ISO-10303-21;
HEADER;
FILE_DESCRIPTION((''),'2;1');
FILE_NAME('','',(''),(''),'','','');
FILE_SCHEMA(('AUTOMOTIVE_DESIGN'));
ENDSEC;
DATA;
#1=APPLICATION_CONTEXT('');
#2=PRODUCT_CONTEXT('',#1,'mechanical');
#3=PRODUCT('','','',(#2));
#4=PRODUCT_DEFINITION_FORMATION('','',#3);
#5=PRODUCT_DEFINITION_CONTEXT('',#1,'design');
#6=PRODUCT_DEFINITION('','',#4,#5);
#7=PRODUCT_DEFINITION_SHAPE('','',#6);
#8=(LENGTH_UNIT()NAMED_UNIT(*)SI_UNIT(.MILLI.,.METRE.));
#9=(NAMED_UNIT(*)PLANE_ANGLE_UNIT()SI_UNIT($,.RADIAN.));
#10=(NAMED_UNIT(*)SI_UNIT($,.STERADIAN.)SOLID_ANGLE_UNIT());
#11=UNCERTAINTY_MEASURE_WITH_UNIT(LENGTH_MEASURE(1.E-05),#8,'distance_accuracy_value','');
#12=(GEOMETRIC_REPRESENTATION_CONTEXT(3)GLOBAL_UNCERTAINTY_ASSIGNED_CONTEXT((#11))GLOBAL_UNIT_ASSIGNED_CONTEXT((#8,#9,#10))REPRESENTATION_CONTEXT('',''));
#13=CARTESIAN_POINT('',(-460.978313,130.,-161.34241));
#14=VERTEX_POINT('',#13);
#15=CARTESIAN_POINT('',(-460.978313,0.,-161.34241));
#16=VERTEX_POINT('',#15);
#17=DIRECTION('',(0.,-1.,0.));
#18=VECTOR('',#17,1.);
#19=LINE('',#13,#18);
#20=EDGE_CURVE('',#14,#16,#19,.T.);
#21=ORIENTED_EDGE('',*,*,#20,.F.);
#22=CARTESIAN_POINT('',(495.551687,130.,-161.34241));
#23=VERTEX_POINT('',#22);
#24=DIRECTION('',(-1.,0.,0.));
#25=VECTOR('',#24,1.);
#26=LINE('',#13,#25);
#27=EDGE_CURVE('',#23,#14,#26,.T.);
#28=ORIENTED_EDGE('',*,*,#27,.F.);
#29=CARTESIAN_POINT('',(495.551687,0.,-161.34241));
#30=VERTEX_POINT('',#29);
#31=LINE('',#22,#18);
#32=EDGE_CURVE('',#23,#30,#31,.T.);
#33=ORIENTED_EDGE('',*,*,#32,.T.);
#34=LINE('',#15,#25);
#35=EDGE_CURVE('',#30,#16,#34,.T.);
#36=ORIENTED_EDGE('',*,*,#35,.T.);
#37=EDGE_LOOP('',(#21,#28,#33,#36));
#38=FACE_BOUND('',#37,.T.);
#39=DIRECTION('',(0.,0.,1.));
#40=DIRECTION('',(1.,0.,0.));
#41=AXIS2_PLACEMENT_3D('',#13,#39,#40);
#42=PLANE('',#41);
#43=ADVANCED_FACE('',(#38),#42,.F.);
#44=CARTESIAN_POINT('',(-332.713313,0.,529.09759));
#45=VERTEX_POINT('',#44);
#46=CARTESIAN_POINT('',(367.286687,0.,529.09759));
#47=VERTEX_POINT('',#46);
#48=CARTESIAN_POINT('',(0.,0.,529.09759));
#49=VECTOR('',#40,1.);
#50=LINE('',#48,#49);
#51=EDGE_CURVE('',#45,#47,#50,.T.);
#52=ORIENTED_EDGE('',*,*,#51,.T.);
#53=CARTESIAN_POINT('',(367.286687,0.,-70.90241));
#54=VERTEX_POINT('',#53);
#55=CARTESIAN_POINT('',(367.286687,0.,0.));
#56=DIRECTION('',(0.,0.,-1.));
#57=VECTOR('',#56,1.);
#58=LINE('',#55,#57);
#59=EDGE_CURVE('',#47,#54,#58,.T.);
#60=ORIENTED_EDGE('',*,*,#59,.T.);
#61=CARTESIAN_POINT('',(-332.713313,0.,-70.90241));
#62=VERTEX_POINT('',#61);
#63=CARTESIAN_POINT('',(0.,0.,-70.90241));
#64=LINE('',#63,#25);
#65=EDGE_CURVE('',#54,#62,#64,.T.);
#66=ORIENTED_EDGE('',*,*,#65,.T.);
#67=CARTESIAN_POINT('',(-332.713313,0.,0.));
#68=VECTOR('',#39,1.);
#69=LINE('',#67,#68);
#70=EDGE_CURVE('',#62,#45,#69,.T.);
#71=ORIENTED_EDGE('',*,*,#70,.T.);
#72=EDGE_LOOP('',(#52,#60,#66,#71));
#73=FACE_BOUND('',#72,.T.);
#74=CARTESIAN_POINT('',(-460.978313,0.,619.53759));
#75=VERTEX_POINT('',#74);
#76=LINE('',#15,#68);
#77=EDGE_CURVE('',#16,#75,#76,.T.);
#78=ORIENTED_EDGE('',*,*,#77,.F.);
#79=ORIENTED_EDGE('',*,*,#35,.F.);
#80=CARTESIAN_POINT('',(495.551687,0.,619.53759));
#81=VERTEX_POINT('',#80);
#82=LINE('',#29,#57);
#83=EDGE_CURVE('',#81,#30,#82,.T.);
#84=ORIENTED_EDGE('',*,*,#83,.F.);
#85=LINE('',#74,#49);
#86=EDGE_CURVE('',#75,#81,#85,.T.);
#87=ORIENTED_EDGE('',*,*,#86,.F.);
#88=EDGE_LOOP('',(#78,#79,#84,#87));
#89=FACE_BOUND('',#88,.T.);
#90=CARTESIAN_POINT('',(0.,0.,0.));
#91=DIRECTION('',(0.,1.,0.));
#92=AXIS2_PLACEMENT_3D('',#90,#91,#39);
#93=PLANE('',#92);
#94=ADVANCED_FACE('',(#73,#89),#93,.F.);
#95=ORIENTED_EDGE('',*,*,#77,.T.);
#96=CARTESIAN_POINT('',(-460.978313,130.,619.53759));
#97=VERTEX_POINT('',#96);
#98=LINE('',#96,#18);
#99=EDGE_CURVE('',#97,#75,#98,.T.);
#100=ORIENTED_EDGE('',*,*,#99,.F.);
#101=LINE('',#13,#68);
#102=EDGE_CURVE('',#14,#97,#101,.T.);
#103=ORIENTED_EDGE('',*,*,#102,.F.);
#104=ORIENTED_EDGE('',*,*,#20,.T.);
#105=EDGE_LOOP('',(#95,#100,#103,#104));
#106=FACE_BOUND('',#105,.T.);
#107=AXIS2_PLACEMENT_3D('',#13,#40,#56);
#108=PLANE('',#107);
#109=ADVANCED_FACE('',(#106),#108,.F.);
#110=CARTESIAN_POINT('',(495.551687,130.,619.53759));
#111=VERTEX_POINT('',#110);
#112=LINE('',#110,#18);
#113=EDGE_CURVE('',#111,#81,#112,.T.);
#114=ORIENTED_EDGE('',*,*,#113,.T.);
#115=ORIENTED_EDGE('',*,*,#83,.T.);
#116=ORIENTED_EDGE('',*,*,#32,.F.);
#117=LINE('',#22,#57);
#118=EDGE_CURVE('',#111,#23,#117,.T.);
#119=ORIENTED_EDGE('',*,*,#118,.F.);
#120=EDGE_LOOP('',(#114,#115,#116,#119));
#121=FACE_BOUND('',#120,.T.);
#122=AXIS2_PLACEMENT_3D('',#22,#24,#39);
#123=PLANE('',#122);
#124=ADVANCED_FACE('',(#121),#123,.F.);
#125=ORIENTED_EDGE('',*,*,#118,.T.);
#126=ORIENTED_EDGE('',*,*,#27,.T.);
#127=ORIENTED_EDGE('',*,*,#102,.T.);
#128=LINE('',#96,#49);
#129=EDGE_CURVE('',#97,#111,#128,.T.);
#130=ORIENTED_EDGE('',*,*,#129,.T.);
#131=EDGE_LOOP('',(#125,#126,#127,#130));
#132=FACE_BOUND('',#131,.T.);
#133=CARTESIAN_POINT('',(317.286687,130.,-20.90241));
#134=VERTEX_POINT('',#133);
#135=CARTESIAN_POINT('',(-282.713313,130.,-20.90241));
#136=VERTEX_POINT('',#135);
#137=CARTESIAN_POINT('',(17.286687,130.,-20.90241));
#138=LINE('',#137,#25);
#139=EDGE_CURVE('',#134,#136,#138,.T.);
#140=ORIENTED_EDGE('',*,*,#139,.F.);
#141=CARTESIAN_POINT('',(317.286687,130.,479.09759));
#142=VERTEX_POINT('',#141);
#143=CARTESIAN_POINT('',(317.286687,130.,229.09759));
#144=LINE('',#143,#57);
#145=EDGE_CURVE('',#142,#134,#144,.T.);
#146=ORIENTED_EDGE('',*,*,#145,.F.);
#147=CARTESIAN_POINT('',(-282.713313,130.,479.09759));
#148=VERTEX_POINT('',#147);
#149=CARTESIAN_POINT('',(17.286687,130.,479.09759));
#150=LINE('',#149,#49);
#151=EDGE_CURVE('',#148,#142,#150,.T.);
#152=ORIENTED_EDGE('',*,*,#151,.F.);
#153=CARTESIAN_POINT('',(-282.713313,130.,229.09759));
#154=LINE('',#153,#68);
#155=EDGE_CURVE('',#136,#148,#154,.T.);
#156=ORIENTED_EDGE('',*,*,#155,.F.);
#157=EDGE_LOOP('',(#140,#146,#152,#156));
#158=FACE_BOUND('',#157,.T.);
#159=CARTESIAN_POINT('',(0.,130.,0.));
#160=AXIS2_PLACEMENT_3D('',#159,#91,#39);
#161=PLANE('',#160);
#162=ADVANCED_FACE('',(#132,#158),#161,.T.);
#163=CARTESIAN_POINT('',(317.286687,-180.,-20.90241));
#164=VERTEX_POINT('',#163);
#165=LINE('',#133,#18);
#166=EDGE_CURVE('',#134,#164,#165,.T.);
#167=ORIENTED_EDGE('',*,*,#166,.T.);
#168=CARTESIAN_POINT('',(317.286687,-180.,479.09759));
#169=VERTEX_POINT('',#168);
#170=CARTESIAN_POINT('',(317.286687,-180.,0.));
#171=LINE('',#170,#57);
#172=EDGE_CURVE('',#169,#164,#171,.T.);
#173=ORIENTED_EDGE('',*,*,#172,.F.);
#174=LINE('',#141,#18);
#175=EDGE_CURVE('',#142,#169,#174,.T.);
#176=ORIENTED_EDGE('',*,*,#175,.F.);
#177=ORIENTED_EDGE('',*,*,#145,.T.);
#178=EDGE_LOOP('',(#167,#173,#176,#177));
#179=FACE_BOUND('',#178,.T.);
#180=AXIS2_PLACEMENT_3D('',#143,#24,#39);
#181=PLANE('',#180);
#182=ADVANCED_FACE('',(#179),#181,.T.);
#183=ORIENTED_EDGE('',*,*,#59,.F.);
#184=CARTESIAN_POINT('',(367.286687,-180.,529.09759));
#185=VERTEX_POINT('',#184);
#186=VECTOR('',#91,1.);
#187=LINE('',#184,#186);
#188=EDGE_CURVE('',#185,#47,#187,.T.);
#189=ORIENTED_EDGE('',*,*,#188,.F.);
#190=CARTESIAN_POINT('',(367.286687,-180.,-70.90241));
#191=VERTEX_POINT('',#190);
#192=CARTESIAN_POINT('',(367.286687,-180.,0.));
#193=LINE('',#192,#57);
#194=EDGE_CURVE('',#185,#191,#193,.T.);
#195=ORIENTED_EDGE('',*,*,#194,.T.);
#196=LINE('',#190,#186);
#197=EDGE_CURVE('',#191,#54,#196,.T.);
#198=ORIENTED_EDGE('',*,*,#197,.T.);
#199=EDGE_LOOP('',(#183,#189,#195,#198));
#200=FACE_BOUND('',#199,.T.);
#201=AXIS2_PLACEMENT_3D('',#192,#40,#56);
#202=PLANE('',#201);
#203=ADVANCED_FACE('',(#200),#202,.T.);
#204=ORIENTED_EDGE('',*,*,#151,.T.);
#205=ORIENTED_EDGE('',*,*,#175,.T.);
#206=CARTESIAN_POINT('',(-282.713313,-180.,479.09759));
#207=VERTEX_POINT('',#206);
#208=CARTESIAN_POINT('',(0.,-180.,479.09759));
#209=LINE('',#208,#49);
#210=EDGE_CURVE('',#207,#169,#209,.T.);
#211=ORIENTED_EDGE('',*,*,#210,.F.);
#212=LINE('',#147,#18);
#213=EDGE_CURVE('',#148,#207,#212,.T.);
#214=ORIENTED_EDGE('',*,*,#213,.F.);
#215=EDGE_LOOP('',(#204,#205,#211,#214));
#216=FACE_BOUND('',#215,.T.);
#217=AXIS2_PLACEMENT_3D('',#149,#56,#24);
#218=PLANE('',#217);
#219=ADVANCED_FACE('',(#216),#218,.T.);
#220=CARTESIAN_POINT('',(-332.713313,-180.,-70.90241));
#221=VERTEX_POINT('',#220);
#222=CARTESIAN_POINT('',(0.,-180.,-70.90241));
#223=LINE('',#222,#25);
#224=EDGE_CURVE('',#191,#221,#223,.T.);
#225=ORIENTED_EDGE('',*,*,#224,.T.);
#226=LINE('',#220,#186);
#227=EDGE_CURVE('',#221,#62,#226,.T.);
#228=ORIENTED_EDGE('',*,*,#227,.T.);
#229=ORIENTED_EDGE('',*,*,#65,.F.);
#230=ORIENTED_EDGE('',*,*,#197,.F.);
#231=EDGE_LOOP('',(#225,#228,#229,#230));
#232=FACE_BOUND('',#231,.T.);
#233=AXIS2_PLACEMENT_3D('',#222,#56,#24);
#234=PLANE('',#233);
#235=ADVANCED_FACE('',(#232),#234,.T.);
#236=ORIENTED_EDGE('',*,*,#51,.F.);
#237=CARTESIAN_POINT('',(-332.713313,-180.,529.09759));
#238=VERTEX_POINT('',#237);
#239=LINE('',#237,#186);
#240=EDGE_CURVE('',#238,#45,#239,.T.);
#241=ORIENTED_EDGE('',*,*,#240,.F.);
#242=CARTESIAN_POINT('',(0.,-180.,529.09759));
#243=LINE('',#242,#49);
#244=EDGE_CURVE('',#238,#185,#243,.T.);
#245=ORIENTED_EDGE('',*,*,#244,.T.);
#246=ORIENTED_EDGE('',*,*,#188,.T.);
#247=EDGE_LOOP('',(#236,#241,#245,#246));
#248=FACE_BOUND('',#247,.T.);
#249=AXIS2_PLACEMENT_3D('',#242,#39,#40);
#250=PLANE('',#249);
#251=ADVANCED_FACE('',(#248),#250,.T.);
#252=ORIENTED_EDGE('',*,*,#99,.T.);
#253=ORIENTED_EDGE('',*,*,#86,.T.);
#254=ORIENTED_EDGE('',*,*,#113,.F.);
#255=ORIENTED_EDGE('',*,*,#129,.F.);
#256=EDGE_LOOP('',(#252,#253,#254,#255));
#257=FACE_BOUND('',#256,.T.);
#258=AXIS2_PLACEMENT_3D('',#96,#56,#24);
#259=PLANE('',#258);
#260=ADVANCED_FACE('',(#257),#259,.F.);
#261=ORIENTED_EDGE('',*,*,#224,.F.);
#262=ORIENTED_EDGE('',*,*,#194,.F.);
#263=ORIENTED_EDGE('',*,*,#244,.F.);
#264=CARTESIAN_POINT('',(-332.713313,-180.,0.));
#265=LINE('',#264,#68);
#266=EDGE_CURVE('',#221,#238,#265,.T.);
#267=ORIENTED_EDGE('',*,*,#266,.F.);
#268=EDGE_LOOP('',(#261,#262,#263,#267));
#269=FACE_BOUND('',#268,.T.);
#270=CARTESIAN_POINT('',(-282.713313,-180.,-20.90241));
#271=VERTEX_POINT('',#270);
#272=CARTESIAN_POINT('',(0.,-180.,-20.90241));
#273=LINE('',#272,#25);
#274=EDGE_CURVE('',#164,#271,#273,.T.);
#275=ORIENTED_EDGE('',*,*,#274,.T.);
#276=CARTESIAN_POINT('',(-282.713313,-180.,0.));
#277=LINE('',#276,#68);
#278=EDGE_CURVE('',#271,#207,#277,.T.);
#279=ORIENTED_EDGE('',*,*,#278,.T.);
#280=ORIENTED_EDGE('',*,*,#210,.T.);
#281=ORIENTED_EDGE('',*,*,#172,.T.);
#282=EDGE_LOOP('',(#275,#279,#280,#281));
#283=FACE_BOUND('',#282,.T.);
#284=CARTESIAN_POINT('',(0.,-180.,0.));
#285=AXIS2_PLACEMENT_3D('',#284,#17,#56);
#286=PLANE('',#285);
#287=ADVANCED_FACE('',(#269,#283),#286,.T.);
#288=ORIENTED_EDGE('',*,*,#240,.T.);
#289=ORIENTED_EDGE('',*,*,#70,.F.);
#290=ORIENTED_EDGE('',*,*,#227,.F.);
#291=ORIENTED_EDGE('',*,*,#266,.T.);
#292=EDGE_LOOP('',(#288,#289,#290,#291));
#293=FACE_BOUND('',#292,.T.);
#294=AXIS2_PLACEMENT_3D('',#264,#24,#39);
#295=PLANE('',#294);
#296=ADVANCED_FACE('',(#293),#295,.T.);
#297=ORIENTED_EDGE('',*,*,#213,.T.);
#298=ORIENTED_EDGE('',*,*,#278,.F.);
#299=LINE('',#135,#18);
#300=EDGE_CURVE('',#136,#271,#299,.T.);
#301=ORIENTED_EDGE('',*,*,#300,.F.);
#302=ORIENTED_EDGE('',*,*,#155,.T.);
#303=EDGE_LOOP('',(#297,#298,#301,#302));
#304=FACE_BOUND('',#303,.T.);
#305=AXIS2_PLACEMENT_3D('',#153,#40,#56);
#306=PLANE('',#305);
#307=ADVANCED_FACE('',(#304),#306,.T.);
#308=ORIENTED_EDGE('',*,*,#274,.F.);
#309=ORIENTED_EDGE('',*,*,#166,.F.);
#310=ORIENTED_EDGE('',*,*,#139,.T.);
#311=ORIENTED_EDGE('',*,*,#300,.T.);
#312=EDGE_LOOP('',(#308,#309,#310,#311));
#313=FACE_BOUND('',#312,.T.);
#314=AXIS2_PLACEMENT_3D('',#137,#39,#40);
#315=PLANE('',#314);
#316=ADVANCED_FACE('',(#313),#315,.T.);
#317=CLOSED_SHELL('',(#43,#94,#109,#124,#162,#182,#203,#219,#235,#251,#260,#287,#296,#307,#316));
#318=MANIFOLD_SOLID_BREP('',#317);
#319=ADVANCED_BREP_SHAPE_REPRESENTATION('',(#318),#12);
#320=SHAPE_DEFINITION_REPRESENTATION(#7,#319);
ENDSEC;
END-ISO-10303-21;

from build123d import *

# Parameters (mm, degrees)
SKETCH1_W           = 956.53
SKETCH1_H           = 780.88
BOSS_EXTRUDE1_DEPTH = 130
SKETCH2_W           = 600
SKETCH2_H           = 500
BOSS_EXTRUDE2_DEPTH = 180


with BuildPart() as part:
    # Sketch1 → Boss-Extrude1 (new body)
    with BuildSketch(Plane(origin=(0, 0, 0), x_dir=(1, 0, 0), z_dir=(0, 1, 0))):
        with Locations((17.286686747, -229.097590361)):
            Rectangle(SKETCH1_W, SKETCH1_H)
        Polygon((17.286686747, 20.902409639), (317.286686747, 20.902409639), (317.286686747, -229.097590361), (317.286686747, -479.097590361), (17.286686747, -479.097590361), (-282.713313253, -479.097590361), (-282.713313253, -229.097590361), (-282.713313253, 20.902409639), align=None, mode=Mode.SUBTRACT)
    extrude(amount=BOSS_EXTRUDE1_DEPTH)

    # Sketch2 → Boss-Extrude2 (add)
    with BuildSketch(Plane.XZ):
        Polygon((367.286686747, -70.902409639), (367.286686747, -20.902409639), (367.286686747, 479.097590361), (367.286686747, 529.097590361), (-332.713313253, 529.097590361), (-332.713313253, 479.097590361), (-332.713313253, -70.902409639), (-282.713313253, -70.902409639), align=None)
        with Locations((17.286686747, 229.097590361)):
            Rectangle(SKETCH2_W, SKETCH2_H, mode=Mode.SUBTRACT)
    extrude(amount=BOSS_EXTRUDE2_DEPTH)


solid = part.part
